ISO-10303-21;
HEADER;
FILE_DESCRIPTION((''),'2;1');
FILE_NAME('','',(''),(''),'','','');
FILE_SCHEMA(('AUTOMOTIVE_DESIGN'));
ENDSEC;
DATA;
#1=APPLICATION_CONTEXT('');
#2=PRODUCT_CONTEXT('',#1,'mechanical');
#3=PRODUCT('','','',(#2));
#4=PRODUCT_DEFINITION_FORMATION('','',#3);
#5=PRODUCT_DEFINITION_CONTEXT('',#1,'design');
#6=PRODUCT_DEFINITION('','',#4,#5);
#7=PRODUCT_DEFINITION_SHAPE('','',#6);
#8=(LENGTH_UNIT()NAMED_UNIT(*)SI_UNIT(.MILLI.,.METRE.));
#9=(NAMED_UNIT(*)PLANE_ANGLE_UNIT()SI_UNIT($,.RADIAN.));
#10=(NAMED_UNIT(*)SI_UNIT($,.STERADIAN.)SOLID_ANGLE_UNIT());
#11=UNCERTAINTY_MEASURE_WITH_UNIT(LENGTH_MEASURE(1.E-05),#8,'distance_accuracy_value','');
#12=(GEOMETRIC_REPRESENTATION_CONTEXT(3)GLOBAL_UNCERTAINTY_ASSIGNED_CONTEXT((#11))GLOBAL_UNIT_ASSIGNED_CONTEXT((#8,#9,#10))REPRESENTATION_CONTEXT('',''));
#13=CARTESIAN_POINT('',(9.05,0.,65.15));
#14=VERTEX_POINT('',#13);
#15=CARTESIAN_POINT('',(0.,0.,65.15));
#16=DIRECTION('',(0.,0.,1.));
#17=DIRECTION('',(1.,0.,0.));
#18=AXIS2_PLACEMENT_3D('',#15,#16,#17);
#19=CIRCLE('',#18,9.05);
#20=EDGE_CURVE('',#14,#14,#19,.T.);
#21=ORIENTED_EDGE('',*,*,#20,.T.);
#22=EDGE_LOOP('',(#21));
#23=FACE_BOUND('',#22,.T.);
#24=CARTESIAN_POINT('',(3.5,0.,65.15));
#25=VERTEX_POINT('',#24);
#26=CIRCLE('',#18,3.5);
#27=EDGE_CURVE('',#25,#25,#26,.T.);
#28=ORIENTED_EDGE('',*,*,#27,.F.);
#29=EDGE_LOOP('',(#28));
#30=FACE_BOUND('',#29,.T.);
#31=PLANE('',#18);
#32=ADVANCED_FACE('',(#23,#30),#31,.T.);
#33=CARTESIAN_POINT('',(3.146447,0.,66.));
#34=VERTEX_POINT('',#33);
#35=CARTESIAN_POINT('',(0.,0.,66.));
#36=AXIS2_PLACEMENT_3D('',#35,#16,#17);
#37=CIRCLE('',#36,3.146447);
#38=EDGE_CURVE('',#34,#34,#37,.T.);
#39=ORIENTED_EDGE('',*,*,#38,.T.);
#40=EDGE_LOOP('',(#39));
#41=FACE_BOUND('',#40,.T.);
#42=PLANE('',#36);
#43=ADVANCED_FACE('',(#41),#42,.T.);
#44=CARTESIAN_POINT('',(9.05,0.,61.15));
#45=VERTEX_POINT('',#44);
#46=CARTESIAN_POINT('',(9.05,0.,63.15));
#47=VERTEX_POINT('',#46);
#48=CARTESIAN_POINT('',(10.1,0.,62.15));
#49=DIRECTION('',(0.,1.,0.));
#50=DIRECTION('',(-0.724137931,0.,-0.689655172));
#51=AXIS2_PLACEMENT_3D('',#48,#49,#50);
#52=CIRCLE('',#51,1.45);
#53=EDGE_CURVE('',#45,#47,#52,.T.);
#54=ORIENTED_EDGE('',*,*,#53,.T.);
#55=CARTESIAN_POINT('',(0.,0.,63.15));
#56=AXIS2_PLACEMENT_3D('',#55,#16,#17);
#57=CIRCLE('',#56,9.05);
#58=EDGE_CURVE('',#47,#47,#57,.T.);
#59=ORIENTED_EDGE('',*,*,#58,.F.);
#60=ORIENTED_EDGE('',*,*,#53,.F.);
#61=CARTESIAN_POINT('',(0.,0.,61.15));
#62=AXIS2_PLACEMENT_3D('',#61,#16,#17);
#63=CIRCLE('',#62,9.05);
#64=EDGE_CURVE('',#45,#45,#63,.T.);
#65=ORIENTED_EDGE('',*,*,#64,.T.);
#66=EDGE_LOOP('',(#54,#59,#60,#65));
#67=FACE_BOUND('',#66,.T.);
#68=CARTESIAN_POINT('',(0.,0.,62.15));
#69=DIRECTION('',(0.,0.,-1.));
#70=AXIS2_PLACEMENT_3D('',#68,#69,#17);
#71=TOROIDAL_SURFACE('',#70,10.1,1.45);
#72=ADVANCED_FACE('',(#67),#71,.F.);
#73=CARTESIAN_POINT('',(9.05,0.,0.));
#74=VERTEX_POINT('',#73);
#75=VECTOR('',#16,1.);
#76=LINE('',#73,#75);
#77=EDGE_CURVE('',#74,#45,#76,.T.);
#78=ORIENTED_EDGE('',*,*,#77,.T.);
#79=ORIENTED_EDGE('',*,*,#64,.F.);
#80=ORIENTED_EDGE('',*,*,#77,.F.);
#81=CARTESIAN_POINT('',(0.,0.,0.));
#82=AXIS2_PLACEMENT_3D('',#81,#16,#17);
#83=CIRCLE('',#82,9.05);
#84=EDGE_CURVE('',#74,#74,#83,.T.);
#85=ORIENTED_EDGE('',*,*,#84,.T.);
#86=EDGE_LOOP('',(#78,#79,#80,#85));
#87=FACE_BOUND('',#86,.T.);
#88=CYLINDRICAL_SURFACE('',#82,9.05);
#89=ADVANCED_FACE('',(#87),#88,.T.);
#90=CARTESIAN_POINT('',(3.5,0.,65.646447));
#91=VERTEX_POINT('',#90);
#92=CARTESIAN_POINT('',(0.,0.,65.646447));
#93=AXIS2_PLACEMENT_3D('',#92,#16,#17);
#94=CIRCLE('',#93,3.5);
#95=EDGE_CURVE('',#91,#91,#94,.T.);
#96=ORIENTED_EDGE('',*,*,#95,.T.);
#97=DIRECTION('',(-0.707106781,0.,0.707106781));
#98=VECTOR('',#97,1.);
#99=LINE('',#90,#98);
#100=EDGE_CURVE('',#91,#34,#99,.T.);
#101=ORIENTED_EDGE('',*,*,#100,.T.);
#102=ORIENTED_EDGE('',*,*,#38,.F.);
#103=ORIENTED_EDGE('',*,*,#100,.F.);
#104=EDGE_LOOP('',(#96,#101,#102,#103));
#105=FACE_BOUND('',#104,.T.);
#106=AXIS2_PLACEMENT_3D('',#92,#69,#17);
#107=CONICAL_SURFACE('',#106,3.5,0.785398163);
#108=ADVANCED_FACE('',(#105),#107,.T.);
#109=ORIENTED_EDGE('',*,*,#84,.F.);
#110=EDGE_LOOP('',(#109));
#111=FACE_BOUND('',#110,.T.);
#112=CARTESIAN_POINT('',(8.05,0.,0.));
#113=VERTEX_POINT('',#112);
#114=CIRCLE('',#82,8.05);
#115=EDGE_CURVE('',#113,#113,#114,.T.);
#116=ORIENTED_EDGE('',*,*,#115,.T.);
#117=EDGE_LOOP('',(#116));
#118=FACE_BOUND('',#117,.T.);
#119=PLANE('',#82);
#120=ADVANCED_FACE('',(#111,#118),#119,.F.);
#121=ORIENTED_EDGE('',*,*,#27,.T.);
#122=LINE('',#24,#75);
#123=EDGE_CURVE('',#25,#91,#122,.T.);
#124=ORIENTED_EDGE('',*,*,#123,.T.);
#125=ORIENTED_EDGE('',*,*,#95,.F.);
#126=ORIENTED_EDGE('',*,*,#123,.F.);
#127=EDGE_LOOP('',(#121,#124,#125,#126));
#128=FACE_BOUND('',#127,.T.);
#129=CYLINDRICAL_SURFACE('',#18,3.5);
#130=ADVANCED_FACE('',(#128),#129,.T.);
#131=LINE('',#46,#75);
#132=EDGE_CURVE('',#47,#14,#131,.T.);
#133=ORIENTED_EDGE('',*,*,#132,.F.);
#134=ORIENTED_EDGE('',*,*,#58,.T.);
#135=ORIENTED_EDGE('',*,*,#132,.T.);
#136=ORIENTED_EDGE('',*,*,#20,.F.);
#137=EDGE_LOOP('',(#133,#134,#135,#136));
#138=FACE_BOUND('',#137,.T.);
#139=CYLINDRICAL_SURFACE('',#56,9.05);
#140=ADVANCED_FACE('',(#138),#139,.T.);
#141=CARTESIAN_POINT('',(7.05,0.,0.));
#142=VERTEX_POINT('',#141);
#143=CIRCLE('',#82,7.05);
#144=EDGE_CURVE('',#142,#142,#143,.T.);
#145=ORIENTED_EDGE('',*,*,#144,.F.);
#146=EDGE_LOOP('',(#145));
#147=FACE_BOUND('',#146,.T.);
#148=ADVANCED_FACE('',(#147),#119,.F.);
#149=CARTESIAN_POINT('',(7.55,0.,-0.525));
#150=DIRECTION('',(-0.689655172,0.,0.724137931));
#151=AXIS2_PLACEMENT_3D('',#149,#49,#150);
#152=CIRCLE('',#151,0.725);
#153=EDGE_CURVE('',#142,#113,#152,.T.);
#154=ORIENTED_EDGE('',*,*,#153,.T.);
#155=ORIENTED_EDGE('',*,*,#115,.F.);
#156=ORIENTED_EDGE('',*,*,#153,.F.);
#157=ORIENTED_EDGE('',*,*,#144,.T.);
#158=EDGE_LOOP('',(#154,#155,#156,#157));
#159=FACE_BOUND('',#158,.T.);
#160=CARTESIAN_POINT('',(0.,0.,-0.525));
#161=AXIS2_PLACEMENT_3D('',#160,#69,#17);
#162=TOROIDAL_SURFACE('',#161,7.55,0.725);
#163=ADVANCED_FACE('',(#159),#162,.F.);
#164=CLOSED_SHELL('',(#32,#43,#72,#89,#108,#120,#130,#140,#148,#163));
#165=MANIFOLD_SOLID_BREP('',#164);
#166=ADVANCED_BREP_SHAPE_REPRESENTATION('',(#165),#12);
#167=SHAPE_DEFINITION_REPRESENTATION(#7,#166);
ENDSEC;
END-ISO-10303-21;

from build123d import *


with BuildPart() as f1:
    # F0 (on Front) → F1 (revolve)
    with BuildSketch(Plane.XZ):
        with BuildLine():
            Line((0, 66), (0, 0))
            Line((0, 0), (7.05, 0))
            ThreePointArc((7.05, 0), (7.55, 0.2), (8.05, 0))
            Line((8.05, 0), (9.05, 0))
            Line((9.05, 0), (9.05, 61.15))
            ThreePointArc((9.05, 61.15), (8.65, 62.15), (9.05, 63.15))
            Line((9.05, 63.15), (9.05, 65.15))
            Line((9.05, 65.15), (3.5, 65.15))
            Line((3.5, 65.15), (3.5, 65.646447))
            Line((3.5, 65.646447), (3.146447, 66))
            Line((3.146447, 66), (0, 66))
        make_face()
    revolve(axis=Axis((0, 0, 33), (0, 0, 1)))


solid = f1.part
